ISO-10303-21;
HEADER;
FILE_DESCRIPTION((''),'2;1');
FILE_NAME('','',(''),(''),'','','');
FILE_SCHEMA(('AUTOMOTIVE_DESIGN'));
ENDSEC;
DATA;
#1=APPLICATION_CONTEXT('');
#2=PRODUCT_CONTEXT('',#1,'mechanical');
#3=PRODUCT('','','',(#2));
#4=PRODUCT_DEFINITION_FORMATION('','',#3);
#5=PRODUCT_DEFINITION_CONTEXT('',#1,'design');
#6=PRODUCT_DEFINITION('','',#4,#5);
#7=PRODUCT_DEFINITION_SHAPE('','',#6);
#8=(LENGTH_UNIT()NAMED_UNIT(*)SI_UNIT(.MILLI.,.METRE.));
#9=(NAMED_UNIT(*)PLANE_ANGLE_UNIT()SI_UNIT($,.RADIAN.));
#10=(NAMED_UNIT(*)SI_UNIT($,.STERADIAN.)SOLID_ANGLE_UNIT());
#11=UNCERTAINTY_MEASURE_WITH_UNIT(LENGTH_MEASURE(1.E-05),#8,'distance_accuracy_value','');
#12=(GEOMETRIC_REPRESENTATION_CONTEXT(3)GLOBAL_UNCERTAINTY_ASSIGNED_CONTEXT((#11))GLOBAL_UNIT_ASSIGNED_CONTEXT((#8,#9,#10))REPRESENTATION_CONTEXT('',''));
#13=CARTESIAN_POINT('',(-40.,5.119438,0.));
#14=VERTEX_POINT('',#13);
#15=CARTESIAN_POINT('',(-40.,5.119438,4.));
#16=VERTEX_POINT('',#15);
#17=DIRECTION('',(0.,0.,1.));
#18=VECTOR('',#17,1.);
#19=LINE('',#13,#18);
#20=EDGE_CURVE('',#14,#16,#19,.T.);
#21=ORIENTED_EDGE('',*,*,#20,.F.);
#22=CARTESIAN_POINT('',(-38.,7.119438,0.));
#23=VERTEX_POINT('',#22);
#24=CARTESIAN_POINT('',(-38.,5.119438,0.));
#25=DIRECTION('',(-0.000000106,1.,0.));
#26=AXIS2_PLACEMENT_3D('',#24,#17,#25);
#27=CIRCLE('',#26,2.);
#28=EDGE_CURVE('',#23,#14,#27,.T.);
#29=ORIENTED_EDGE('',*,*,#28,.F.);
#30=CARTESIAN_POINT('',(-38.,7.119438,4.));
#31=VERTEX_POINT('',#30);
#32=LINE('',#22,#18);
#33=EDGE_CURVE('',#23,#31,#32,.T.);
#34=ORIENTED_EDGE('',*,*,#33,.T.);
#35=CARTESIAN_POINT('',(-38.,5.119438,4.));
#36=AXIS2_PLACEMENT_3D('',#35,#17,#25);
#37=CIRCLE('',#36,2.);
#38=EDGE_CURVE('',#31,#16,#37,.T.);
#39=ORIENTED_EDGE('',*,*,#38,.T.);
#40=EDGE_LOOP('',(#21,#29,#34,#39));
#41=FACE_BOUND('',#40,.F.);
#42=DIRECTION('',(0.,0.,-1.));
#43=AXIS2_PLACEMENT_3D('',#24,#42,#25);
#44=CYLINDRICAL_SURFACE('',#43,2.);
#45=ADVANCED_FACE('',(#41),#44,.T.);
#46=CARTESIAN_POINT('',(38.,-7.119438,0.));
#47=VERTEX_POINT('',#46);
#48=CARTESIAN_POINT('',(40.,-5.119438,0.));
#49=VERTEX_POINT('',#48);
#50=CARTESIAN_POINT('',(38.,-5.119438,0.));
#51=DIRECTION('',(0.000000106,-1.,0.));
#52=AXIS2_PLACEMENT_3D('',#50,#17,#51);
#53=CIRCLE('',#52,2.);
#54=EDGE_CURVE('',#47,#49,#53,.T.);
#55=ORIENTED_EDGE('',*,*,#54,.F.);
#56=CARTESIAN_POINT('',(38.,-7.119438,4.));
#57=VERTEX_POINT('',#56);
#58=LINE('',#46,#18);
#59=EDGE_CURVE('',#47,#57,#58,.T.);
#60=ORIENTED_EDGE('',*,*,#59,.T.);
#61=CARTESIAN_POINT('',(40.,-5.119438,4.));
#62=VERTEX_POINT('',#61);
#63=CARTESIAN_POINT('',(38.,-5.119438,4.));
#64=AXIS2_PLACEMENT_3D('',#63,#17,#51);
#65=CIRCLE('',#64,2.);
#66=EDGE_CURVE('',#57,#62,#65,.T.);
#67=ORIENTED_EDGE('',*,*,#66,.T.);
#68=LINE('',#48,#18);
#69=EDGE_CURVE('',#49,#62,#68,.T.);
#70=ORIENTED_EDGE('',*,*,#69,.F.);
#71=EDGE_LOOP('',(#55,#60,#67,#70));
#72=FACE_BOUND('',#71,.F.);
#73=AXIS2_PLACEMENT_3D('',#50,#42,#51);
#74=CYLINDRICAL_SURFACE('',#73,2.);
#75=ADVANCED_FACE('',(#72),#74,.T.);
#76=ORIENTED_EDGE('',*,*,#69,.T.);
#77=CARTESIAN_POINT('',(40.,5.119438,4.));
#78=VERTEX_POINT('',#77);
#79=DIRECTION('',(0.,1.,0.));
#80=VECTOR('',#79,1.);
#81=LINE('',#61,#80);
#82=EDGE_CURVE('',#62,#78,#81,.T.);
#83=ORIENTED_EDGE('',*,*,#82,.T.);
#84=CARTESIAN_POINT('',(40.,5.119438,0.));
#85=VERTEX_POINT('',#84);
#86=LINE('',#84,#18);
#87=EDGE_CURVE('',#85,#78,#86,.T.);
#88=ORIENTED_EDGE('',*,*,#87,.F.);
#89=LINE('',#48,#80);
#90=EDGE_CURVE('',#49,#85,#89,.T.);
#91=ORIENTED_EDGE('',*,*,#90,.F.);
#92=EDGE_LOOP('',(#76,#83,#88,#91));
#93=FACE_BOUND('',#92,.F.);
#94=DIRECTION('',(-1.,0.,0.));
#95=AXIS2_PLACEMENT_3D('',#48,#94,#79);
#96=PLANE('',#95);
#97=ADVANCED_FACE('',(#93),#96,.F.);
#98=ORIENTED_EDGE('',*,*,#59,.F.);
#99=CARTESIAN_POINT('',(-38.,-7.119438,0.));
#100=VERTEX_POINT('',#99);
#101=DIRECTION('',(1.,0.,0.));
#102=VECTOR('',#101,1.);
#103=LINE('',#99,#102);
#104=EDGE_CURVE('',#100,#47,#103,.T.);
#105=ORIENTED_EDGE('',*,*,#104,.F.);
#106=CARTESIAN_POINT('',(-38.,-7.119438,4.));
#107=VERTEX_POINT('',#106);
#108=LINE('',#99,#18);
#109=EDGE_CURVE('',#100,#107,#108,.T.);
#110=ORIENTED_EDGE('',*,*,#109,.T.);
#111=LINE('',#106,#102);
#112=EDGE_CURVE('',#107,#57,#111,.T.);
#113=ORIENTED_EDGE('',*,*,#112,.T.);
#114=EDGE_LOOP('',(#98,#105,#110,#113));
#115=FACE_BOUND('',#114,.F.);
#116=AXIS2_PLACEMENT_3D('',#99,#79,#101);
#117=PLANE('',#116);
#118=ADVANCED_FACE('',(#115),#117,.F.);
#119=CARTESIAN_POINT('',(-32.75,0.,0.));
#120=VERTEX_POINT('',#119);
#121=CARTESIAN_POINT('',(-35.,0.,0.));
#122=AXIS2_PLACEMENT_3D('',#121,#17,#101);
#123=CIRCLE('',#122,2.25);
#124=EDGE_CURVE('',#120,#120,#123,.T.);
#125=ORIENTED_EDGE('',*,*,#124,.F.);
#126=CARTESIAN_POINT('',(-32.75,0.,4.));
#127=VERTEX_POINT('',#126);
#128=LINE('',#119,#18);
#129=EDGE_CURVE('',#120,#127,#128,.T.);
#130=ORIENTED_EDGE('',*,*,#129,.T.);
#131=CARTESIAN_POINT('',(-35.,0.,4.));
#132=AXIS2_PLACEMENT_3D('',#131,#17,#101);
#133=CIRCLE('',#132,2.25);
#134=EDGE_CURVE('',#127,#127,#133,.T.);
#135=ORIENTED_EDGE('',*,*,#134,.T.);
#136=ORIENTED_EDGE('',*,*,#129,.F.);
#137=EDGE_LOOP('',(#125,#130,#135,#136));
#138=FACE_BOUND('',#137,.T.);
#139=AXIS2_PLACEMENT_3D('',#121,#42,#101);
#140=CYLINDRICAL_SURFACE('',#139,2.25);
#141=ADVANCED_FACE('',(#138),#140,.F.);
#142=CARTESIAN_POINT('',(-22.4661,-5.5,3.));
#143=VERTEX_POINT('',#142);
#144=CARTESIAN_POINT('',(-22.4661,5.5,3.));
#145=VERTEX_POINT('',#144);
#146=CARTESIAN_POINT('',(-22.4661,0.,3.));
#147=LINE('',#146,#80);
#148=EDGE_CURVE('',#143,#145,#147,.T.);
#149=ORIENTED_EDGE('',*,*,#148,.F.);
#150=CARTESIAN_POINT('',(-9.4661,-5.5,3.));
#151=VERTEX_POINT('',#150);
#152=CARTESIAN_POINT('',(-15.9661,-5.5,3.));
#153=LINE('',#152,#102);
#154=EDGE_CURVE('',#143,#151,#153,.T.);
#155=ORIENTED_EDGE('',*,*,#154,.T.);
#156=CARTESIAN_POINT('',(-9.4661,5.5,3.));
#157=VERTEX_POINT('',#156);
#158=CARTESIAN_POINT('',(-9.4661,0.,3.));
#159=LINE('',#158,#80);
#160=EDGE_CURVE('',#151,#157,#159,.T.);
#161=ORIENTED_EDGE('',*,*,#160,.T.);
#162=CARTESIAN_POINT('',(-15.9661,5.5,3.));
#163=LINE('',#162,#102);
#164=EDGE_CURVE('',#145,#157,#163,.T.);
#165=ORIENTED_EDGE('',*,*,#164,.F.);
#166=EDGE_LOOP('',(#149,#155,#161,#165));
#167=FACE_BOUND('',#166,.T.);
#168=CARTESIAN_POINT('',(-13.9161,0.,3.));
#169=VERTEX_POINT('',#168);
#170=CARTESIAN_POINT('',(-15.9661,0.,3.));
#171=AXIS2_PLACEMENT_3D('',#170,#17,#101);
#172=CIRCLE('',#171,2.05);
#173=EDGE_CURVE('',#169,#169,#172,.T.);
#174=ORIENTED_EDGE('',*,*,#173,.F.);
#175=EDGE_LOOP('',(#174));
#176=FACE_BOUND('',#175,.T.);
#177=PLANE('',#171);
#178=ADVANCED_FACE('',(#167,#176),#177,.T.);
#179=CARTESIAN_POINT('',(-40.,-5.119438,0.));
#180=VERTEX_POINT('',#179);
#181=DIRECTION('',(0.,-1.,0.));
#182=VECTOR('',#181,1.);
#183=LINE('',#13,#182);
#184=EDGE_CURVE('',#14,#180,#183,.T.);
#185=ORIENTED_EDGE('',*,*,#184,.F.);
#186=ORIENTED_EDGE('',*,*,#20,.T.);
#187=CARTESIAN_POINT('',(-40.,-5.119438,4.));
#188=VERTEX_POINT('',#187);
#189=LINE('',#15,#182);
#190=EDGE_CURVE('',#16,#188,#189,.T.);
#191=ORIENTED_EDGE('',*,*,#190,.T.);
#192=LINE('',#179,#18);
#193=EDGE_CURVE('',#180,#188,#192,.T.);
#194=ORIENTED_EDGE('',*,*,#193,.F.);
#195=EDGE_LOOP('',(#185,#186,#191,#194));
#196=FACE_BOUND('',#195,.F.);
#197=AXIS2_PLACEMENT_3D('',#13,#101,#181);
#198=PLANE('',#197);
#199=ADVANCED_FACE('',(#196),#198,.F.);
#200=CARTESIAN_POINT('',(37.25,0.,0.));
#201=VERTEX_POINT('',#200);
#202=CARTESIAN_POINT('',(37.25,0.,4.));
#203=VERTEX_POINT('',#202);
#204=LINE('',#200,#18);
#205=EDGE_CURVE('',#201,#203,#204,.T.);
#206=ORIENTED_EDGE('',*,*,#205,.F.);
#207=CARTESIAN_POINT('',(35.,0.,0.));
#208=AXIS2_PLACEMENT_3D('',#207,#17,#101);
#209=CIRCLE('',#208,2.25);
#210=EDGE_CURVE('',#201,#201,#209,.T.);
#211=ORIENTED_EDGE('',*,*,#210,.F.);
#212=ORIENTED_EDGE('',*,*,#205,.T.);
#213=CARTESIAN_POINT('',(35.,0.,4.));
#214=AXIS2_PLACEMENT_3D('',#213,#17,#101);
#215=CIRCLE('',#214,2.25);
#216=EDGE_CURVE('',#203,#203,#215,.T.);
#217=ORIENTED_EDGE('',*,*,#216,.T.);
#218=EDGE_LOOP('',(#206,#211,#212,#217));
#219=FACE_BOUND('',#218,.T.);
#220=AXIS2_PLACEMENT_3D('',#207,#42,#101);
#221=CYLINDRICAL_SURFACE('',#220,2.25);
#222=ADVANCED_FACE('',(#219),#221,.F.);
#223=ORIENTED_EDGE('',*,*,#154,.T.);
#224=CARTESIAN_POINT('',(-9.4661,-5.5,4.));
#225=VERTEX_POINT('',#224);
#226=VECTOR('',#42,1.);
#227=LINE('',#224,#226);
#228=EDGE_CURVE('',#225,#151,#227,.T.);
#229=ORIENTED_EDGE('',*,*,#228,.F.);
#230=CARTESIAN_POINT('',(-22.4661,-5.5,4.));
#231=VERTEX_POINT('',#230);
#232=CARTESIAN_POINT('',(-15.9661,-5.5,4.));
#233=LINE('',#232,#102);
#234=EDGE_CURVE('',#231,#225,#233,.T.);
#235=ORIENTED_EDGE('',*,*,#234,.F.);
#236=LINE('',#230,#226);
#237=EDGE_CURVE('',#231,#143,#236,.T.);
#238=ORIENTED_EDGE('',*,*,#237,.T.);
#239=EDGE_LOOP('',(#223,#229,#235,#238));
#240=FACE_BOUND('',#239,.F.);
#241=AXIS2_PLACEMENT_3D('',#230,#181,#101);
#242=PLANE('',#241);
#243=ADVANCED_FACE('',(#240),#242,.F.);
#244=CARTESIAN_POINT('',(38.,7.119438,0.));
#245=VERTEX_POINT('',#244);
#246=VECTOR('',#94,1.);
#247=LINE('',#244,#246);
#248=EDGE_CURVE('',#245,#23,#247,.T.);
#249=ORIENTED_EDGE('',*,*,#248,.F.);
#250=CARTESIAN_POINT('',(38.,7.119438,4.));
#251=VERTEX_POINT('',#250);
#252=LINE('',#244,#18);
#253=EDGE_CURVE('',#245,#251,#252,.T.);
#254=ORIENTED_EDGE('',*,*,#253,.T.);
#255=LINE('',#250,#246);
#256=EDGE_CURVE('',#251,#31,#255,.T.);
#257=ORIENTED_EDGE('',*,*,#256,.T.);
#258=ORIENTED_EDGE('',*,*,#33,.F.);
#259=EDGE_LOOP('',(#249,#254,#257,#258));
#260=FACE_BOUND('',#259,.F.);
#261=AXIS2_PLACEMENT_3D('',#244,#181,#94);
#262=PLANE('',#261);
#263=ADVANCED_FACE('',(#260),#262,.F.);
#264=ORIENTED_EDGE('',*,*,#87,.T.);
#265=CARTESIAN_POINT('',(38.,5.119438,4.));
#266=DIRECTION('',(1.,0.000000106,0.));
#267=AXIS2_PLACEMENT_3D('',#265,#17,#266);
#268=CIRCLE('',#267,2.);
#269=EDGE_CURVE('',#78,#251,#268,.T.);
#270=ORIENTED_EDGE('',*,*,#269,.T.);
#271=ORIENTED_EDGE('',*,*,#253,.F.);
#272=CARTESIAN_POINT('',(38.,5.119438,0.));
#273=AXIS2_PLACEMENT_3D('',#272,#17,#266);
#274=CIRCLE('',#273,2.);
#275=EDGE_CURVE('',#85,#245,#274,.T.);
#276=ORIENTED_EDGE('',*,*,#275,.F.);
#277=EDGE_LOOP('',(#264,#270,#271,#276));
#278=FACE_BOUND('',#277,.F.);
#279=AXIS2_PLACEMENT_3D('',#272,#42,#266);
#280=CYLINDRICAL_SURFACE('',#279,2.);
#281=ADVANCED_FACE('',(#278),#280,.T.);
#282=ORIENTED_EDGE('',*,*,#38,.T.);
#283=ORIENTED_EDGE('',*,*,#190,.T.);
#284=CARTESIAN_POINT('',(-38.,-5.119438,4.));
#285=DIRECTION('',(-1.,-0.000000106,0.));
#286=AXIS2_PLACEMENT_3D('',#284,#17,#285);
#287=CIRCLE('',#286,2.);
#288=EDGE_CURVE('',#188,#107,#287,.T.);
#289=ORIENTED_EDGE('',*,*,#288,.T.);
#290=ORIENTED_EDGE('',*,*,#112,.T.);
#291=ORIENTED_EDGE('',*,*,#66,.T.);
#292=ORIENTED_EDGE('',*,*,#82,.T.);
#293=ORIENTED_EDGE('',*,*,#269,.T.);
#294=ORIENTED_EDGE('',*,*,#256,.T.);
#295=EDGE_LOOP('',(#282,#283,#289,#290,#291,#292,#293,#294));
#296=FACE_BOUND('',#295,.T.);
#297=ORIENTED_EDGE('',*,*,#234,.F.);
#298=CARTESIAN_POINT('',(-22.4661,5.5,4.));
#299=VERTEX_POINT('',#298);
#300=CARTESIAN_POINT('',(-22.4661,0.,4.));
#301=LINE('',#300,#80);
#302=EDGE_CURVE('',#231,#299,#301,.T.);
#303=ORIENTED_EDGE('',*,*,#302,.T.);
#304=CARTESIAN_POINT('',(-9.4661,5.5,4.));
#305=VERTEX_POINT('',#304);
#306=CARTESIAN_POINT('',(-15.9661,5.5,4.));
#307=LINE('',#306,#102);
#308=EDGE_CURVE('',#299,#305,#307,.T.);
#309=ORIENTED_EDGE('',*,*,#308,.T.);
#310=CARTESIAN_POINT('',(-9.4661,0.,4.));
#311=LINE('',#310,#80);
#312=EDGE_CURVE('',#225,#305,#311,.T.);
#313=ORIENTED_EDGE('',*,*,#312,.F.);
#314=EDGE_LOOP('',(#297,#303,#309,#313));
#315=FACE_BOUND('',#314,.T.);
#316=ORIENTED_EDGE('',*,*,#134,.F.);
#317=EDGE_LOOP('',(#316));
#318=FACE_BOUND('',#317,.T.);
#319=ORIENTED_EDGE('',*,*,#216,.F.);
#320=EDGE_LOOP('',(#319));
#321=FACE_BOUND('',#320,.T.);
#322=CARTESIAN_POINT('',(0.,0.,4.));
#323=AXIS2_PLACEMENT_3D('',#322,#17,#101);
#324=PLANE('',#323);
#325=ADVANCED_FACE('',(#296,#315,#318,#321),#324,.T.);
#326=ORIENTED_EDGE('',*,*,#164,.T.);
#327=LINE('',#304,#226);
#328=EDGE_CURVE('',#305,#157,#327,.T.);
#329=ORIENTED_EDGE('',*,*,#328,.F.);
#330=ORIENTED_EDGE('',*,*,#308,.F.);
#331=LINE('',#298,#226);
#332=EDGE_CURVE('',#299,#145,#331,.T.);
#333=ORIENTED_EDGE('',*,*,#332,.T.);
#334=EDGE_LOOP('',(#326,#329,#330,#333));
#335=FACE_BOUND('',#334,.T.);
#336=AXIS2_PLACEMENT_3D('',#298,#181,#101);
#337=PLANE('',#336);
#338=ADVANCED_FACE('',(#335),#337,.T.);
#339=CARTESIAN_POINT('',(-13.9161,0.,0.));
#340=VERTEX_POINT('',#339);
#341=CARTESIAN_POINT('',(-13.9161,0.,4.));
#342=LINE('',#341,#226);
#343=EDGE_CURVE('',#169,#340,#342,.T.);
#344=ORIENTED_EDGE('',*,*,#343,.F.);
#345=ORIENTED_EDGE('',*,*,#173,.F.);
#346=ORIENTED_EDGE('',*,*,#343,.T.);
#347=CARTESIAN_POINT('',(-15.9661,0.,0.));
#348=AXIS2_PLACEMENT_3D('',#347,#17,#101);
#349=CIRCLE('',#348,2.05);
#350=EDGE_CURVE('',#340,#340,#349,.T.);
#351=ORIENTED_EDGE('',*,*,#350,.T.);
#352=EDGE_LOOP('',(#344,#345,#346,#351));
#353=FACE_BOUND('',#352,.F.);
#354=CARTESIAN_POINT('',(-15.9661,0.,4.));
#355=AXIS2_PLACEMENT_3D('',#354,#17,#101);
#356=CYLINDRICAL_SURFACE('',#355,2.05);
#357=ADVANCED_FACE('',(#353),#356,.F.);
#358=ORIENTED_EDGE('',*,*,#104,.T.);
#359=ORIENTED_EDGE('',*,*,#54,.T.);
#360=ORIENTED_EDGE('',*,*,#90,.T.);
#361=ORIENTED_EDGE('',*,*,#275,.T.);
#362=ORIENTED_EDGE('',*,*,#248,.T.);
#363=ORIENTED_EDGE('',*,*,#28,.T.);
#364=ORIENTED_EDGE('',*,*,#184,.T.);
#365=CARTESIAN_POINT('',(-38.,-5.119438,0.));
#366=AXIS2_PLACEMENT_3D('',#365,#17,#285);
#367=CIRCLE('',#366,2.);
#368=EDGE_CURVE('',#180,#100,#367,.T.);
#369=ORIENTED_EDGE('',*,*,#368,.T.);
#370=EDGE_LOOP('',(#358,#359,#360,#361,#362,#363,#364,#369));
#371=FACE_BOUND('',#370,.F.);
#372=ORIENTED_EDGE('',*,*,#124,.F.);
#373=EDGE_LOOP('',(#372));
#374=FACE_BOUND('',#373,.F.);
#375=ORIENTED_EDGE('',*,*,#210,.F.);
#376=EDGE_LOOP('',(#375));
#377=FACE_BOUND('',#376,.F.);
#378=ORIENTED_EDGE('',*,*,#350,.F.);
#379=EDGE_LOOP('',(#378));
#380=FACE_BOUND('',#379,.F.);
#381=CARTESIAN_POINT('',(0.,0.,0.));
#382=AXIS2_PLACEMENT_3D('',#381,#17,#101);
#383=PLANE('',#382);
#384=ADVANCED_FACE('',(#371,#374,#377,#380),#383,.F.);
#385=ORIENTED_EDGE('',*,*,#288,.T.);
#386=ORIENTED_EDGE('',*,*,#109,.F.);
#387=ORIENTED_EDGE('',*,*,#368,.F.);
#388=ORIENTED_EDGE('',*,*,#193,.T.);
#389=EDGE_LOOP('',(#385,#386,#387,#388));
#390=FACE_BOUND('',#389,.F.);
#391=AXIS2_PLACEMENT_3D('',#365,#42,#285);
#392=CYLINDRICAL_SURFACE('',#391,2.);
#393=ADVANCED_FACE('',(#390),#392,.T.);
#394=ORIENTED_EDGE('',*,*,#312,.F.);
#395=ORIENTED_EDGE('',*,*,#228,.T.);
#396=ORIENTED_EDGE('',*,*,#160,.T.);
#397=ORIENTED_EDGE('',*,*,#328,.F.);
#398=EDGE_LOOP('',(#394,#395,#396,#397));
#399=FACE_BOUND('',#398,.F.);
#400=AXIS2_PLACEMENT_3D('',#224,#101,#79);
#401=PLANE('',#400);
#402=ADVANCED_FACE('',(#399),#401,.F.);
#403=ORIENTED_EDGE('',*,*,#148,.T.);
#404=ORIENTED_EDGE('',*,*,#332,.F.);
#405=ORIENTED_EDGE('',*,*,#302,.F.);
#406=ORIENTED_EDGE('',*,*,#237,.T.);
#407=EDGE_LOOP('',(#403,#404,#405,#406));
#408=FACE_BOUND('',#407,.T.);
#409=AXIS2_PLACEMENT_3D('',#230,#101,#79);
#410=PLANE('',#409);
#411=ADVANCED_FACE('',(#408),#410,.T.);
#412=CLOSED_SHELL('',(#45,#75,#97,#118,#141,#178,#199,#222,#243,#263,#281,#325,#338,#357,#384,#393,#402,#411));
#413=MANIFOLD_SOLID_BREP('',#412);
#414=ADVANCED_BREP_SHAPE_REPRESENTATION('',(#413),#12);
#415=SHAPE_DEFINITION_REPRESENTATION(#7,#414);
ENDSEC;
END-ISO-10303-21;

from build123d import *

# Parameters (mm, degrees)
F0_R     = 2.25
F1_DEPTH = 4
F2_R     = 2.05
F3_DEPTH = 5
F4_W     = 13
F4_H     = 11
F5_DEPTH = 1


with BuildPart() as f1:
    # F0 (on Top) → F1 (new body)
    with BuildSketch(Plane.XY):
        with BuildLine():
            ThreePointArc((40, 5.119438), (39.414214, 6.533651), (38, 7.119438))
            Line((38, 7.119438), (-38, 7.119438))
            ThreePointArc((-38, 7.119438), (-39.414214, 6.533651), (-40, 5.119438))
            Line((-40, 5.119438), (-40, -5.119438))
            ThreePointArc((-40, -5.119438), (-39.414214, -6.533651), (-38, -7.119438))
            Line((-38, -7.119438), (38, -7.119438))
            ThreePointArc((38, -7.119438), (39.414214, -6.533651), (40, -5.119438))
            Line((40, -5.119438), (40, 5.119438))
        make_face()
        with Locations((-35, 0)):
            Circle(F0_R, mode=Mode.SUBTRACT)
        with Locations((35, 0)):
            Circle(F0_R, mode=Mode.SUBTRACT)
    extrude(amount=F1_DEPTH)

    # F2 (on face) → F3 (cut)
    with BuildSketch(Plane.XY.offset(4)):
        with Locations((-15.9661, 0)):
            Circle(F2_R)
    extrude(amount=-F3_DEPTH, mode=Mode.SUBTRACT)

    # F4 (on face) → F5 (cut)
    with BuildSketch(Plane.XY.offset(4)):
        with Locations((-15.9661, 0)):
            Rectangle(F4_W, F4_H)
    extrude(amount=-F5_DEPTH, mode=Mode.SUBTRACT)


solid = f1.part
